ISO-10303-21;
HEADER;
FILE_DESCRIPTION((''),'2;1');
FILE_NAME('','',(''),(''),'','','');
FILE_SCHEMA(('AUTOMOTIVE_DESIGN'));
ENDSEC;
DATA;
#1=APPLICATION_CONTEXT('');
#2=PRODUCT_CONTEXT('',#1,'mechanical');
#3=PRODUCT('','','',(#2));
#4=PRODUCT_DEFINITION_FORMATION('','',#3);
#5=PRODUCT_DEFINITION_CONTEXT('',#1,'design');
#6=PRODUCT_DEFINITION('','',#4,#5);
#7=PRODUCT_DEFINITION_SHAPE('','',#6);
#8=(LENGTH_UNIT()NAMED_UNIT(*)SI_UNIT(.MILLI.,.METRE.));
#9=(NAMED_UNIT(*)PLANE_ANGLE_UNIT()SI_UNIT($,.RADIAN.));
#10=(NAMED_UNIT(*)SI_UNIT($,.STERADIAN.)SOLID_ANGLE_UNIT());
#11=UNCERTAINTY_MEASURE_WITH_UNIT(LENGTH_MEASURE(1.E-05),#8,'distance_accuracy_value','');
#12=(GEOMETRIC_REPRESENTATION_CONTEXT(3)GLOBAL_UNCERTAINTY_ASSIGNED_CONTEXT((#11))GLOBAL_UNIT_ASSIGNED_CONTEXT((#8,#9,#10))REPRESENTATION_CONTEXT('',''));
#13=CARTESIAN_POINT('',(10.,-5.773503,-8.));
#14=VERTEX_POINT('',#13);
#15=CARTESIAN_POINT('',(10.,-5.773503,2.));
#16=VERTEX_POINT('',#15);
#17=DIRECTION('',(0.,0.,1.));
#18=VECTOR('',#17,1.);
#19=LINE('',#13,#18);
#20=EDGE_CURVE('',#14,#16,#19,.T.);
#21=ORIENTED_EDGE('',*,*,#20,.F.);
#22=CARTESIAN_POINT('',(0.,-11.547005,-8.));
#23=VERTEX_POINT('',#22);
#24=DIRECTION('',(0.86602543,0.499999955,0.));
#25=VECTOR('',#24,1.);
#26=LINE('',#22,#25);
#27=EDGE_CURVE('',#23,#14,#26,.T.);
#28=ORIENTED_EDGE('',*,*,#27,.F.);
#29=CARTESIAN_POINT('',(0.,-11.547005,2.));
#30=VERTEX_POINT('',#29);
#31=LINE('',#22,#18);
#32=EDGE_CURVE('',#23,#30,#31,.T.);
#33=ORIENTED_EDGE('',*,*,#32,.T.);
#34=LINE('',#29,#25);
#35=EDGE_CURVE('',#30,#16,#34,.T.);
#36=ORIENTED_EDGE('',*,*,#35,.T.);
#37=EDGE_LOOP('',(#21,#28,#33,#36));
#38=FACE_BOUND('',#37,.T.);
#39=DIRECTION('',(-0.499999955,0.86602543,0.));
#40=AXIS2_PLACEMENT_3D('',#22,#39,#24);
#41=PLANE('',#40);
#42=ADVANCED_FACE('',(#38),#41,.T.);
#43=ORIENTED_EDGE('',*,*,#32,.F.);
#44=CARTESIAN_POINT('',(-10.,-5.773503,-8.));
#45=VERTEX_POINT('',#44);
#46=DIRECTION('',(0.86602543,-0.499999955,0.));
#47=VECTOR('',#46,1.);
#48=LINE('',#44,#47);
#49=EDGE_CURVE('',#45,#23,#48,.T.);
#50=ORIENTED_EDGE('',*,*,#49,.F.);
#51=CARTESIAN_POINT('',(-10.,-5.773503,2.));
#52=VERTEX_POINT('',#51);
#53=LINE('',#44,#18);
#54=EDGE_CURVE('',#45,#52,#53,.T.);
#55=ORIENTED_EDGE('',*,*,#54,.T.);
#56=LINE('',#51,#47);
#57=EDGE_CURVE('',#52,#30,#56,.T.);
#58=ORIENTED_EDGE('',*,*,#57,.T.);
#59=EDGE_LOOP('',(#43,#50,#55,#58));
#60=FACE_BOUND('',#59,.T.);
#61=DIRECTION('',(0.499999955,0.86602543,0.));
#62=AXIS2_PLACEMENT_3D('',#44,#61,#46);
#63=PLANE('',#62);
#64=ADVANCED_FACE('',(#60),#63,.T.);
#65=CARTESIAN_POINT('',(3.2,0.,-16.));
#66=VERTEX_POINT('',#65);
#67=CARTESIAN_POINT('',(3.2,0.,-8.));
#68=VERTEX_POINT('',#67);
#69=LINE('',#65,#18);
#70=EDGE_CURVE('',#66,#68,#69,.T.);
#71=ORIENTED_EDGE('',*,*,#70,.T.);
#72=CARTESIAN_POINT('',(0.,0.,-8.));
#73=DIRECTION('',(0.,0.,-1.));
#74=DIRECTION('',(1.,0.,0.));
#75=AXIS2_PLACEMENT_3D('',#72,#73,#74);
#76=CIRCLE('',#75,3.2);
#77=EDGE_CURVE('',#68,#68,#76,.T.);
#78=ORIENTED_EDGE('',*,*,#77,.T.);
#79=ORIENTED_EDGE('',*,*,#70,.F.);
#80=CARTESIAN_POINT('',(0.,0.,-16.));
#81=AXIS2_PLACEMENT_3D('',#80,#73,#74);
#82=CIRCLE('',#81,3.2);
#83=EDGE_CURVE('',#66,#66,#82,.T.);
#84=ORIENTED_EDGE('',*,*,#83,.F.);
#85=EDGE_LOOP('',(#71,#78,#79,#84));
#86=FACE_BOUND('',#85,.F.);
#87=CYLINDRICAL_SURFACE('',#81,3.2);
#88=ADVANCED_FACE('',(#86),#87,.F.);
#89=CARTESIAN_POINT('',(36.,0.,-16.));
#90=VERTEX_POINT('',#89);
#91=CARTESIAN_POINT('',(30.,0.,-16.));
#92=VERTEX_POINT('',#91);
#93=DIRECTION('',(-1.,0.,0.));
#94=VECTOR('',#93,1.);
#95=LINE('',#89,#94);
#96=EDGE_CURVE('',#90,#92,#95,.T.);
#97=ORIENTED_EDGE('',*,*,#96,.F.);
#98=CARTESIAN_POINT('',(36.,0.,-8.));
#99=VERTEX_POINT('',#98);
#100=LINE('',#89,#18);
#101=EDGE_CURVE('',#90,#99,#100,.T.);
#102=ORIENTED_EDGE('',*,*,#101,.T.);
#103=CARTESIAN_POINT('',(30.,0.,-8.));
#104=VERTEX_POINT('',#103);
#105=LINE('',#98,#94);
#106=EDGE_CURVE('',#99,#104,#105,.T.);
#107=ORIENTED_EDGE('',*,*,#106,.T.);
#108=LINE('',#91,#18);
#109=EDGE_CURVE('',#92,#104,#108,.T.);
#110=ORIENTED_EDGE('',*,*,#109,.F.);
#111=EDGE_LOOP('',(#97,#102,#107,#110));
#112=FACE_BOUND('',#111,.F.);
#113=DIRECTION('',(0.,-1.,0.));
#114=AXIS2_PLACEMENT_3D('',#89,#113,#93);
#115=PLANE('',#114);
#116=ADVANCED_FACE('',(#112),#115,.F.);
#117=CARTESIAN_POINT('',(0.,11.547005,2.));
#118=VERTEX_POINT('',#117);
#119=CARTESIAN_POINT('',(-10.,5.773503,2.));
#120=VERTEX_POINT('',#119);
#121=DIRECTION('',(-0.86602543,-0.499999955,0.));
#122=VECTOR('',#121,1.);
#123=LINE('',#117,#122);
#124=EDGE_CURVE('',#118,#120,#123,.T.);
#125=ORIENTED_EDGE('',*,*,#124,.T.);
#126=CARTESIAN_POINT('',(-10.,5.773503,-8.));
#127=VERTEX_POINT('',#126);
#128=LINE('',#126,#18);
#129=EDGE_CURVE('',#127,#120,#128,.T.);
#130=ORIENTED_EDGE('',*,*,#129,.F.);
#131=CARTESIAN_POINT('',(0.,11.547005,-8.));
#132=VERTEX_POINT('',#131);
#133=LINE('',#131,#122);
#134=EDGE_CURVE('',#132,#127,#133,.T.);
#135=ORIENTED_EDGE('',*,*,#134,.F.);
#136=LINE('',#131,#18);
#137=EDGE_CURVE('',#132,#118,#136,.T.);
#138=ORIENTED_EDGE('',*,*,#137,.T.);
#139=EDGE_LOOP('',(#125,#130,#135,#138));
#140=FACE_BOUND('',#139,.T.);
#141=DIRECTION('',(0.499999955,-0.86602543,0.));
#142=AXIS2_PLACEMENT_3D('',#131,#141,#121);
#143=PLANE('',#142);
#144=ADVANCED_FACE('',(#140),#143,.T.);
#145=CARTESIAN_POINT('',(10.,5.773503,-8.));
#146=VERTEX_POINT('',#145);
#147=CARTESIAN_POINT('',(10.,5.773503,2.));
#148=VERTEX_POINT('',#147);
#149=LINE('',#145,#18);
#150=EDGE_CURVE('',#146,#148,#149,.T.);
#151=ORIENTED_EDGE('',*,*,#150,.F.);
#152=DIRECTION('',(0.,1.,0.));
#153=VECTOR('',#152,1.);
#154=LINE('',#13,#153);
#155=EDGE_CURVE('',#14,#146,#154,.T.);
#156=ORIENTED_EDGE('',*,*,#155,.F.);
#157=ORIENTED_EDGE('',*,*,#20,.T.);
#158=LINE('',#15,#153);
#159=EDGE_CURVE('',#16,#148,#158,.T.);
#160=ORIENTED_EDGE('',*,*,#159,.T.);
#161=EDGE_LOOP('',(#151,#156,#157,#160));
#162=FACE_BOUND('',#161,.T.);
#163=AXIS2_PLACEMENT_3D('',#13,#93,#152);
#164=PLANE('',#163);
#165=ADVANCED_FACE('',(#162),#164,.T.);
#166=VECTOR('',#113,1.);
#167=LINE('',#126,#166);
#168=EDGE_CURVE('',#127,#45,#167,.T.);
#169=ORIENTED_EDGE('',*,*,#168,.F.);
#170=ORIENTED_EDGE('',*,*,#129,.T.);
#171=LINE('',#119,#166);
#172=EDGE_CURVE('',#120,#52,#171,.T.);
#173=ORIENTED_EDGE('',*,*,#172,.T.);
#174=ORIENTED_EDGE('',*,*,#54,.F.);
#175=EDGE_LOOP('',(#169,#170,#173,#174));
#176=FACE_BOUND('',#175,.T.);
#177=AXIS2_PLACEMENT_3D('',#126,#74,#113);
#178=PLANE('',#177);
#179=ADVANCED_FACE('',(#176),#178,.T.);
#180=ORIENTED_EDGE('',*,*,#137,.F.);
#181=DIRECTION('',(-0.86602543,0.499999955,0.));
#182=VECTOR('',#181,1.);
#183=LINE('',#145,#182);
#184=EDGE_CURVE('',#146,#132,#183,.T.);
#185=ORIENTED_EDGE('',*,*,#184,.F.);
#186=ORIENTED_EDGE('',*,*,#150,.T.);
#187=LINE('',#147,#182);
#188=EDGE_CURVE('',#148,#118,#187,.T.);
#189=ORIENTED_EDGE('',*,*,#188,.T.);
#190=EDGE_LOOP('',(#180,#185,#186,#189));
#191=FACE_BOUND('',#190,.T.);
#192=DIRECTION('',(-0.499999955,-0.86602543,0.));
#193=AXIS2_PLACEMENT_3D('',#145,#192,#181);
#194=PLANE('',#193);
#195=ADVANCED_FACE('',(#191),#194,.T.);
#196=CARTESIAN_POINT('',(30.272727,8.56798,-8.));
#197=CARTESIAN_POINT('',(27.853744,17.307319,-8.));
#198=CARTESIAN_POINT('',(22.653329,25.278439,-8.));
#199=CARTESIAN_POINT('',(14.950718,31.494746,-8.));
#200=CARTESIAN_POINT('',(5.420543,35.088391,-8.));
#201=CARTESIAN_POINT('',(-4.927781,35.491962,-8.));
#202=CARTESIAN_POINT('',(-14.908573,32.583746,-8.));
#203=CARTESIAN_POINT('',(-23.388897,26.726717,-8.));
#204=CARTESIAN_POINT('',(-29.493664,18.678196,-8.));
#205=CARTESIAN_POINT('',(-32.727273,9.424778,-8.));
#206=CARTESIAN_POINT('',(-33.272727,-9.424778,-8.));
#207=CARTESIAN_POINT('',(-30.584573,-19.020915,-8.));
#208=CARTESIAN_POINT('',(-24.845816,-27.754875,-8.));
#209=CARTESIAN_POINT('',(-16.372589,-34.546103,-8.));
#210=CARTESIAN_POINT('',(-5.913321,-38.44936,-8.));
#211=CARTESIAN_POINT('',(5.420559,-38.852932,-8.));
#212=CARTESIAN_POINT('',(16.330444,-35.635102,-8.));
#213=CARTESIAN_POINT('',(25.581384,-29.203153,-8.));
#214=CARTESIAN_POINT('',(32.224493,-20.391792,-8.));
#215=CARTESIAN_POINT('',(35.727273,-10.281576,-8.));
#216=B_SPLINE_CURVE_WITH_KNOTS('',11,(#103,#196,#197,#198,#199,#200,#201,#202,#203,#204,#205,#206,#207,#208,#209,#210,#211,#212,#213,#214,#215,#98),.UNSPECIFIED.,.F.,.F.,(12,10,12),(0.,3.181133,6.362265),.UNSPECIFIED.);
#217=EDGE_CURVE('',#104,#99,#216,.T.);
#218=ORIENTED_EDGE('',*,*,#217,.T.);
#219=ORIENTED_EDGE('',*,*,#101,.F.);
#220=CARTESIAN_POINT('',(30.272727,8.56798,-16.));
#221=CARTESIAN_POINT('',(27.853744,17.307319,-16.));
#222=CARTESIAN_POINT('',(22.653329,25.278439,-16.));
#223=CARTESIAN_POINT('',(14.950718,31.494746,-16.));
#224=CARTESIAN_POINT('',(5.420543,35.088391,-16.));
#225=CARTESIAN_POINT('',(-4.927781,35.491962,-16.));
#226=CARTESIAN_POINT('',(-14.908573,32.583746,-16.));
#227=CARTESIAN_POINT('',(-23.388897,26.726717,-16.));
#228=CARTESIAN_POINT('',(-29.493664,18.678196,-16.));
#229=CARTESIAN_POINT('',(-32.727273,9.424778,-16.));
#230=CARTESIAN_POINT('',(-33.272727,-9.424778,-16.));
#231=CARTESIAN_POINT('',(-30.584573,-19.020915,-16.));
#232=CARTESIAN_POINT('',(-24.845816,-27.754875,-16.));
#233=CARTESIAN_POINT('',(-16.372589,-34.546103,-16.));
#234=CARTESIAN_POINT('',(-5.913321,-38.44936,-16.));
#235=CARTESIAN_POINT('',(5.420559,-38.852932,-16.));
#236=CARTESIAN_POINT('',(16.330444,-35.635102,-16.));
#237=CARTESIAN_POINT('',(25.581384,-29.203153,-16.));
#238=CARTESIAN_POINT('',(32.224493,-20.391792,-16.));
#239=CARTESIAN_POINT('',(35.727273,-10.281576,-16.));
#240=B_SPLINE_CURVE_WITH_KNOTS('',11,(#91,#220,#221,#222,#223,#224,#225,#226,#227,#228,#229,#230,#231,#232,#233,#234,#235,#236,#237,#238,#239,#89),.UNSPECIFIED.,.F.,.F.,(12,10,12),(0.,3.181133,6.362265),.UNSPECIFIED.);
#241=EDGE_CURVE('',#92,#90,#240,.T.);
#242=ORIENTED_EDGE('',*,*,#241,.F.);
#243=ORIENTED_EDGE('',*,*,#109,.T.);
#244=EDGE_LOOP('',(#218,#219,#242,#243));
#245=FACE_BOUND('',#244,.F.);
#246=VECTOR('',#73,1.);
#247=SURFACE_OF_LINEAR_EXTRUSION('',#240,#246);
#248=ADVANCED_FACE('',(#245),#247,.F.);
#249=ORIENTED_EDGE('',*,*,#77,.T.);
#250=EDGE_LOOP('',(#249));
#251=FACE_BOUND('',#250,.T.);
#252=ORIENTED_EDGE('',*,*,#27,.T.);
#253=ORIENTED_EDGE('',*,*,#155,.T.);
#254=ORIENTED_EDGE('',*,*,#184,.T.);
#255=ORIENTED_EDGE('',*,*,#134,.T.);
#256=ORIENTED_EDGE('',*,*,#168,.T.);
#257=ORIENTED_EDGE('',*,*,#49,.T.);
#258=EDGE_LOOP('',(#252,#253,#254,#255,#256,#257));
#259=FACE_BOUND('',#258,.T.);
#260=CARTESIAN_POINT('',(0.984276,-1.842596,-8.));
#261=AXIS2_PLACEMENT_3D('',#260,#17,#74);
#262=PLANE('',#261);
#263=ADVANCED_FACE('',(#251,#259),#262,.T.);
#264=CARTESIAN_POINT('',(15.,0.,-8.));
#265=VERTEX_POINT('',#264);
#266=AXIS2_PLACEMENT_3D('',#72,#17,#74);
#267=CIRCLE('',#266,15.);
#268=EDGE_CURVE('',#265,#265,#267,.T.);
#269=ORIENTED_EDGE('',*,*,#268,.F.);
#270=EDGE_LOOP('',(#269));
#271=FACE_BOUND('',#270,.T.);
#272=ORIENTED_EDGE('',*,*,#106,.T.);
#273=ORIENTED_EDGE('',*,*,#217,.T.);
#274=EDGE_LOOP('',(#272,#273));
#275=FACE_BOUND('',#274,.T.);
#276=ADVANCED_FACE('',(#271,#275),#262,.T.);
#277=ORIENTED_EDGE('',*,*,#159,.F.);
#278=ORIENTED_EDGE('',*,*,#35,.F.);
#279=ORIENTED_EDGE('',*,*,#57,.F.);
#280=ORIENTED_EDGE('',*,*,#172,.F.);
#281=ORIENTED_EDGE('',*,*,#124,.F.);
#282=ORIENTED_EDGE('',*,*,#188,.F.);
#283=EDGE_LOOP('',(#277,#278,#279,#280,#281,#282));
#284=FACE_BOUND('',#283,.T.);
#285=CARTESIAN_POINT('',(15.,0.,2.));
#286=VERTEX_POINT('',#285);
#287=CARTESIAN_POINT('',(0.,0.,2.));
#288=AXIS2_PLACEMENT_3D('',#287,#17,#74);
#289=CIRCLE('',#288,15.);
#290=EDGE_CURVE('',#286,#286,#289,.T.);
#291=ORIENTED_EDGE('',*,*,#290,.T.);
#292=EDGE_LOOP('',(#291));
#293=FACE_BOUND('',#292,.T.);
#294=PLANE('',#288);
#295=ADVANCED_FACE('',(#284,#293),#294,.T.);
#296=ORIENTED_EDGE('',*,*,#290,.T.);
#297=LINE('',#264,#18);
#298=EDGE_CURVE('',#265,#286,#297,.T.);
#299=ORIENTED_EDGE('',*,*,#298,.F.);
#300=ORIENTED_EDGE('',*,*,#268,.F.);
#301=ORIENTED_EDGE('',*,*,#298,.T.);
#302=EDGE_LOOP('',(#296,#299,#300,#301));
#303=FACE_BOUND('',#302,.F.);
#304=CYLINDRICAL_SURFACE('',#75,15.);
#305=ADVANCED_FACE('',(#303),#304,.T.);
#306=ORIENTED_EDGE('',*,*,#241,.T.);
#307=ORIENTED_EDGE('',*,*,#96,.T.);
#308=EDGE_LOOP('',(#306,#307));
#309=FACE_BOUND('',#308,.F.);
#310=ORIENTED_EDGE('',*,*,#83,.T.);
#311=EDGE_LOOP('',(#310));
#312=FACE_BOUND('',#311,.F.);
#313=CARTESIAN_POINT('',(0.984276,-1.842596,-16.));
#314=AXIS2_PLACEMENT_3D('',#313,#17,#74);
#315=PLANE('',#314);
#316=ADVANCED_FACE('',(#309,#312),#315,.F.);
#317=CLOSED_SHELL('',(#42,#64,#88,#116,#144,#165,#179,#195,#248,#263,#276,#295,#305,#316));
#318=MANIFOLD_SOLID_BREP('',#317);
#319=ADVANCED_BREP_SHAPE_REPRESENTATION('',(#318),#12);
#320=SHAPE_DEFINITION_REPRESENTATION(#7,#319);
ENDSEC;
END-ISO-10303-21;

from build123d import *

# Parameters (mm, degrees)
PAD_DEPTH    = 8
SKETCH019_R  = 15
PAD010_DEPTH = 10
SKETCH020_R  = 3.2
POCKET_DEPTH = 18.001


with BuildPart() as part:
    # Sketch018 → Pad (new body)
    with BuildSketch(Plane.XY):
        with BuildLine():
            add(Edge.make_bspline(
                [(30, 0), (30.272727, 8.56798), (27.853744, 17.307319), (22.653329, 25.278439), (14.950718, 31.494746), (5.420543, 35.088391), (-4.927781, 35.491962), (-14.908573, 32.583746), (-23.388897, 26.726717), (-29.493664, 18.678196), (-32.727273, 9.424778), (-33.272727, -9.424778), (-30.584573, -19.020915), (-24.845816, -27.754875), (-16.372589, -34.546103), (-5.913321, -38.44936), (5.420559, -38.852932), (16.330444, -35.635102), (25.581384, -29.203153), (32.224493, -20.391792), (35.727273, -10.281576), (36, 0)],
                knots=[0, 0, 0, 0, 0, 0, 0, 0, 0, 0, 0, 0, 3.181133, 3.181133, 3.181133, 3.181133, 3.181133, 3.181133, 3.181133, 3.181133, 3.181133, 3.181133, 6.362265, 6.362265, 6.362265, 6.362265, 6.362265, 6.362265, 6.362265, 6.362265, 6.362265, 6.362265, 6.362265, 6.362265], degree=11))
            Line((36, 0), (30, 0))
        make_face()
    extrude(amount=PAD_DEPTH)

    # Sketch019 (on Face4 of Pad) → Pad010 (join)
    with BuildSketch(Plane.XY.offset(8)):
        Circle(SKETCH019_R)
        Polygon((0, -11.547005), (10, -5.773503), (10, 5.773503), (0, 11.547005), (-10, 5.773503), (-10, -5.773503), align=None, mode=Mode.SUBTRACT)
    extrude(amount=PAD010_DEPTH)

    # Sketch020 (on Face3 of Pad010) → Pocket (cut, through all)
    with BuildSketch(Plane(origin=(0, 0, 0), x_dir=(1, 0, 0), z_dir=(0, 0, -1))):
        Circle(SKETCH020_R)
    extrude(amount=-POCKET_DEPTH, mode=Mode.SUBTRACT)


with BuildPart() as part_1:
    # Body005 placement: moved
    add(part.part.moved(Location((0, 0, -16))))


solid = part_1.part
